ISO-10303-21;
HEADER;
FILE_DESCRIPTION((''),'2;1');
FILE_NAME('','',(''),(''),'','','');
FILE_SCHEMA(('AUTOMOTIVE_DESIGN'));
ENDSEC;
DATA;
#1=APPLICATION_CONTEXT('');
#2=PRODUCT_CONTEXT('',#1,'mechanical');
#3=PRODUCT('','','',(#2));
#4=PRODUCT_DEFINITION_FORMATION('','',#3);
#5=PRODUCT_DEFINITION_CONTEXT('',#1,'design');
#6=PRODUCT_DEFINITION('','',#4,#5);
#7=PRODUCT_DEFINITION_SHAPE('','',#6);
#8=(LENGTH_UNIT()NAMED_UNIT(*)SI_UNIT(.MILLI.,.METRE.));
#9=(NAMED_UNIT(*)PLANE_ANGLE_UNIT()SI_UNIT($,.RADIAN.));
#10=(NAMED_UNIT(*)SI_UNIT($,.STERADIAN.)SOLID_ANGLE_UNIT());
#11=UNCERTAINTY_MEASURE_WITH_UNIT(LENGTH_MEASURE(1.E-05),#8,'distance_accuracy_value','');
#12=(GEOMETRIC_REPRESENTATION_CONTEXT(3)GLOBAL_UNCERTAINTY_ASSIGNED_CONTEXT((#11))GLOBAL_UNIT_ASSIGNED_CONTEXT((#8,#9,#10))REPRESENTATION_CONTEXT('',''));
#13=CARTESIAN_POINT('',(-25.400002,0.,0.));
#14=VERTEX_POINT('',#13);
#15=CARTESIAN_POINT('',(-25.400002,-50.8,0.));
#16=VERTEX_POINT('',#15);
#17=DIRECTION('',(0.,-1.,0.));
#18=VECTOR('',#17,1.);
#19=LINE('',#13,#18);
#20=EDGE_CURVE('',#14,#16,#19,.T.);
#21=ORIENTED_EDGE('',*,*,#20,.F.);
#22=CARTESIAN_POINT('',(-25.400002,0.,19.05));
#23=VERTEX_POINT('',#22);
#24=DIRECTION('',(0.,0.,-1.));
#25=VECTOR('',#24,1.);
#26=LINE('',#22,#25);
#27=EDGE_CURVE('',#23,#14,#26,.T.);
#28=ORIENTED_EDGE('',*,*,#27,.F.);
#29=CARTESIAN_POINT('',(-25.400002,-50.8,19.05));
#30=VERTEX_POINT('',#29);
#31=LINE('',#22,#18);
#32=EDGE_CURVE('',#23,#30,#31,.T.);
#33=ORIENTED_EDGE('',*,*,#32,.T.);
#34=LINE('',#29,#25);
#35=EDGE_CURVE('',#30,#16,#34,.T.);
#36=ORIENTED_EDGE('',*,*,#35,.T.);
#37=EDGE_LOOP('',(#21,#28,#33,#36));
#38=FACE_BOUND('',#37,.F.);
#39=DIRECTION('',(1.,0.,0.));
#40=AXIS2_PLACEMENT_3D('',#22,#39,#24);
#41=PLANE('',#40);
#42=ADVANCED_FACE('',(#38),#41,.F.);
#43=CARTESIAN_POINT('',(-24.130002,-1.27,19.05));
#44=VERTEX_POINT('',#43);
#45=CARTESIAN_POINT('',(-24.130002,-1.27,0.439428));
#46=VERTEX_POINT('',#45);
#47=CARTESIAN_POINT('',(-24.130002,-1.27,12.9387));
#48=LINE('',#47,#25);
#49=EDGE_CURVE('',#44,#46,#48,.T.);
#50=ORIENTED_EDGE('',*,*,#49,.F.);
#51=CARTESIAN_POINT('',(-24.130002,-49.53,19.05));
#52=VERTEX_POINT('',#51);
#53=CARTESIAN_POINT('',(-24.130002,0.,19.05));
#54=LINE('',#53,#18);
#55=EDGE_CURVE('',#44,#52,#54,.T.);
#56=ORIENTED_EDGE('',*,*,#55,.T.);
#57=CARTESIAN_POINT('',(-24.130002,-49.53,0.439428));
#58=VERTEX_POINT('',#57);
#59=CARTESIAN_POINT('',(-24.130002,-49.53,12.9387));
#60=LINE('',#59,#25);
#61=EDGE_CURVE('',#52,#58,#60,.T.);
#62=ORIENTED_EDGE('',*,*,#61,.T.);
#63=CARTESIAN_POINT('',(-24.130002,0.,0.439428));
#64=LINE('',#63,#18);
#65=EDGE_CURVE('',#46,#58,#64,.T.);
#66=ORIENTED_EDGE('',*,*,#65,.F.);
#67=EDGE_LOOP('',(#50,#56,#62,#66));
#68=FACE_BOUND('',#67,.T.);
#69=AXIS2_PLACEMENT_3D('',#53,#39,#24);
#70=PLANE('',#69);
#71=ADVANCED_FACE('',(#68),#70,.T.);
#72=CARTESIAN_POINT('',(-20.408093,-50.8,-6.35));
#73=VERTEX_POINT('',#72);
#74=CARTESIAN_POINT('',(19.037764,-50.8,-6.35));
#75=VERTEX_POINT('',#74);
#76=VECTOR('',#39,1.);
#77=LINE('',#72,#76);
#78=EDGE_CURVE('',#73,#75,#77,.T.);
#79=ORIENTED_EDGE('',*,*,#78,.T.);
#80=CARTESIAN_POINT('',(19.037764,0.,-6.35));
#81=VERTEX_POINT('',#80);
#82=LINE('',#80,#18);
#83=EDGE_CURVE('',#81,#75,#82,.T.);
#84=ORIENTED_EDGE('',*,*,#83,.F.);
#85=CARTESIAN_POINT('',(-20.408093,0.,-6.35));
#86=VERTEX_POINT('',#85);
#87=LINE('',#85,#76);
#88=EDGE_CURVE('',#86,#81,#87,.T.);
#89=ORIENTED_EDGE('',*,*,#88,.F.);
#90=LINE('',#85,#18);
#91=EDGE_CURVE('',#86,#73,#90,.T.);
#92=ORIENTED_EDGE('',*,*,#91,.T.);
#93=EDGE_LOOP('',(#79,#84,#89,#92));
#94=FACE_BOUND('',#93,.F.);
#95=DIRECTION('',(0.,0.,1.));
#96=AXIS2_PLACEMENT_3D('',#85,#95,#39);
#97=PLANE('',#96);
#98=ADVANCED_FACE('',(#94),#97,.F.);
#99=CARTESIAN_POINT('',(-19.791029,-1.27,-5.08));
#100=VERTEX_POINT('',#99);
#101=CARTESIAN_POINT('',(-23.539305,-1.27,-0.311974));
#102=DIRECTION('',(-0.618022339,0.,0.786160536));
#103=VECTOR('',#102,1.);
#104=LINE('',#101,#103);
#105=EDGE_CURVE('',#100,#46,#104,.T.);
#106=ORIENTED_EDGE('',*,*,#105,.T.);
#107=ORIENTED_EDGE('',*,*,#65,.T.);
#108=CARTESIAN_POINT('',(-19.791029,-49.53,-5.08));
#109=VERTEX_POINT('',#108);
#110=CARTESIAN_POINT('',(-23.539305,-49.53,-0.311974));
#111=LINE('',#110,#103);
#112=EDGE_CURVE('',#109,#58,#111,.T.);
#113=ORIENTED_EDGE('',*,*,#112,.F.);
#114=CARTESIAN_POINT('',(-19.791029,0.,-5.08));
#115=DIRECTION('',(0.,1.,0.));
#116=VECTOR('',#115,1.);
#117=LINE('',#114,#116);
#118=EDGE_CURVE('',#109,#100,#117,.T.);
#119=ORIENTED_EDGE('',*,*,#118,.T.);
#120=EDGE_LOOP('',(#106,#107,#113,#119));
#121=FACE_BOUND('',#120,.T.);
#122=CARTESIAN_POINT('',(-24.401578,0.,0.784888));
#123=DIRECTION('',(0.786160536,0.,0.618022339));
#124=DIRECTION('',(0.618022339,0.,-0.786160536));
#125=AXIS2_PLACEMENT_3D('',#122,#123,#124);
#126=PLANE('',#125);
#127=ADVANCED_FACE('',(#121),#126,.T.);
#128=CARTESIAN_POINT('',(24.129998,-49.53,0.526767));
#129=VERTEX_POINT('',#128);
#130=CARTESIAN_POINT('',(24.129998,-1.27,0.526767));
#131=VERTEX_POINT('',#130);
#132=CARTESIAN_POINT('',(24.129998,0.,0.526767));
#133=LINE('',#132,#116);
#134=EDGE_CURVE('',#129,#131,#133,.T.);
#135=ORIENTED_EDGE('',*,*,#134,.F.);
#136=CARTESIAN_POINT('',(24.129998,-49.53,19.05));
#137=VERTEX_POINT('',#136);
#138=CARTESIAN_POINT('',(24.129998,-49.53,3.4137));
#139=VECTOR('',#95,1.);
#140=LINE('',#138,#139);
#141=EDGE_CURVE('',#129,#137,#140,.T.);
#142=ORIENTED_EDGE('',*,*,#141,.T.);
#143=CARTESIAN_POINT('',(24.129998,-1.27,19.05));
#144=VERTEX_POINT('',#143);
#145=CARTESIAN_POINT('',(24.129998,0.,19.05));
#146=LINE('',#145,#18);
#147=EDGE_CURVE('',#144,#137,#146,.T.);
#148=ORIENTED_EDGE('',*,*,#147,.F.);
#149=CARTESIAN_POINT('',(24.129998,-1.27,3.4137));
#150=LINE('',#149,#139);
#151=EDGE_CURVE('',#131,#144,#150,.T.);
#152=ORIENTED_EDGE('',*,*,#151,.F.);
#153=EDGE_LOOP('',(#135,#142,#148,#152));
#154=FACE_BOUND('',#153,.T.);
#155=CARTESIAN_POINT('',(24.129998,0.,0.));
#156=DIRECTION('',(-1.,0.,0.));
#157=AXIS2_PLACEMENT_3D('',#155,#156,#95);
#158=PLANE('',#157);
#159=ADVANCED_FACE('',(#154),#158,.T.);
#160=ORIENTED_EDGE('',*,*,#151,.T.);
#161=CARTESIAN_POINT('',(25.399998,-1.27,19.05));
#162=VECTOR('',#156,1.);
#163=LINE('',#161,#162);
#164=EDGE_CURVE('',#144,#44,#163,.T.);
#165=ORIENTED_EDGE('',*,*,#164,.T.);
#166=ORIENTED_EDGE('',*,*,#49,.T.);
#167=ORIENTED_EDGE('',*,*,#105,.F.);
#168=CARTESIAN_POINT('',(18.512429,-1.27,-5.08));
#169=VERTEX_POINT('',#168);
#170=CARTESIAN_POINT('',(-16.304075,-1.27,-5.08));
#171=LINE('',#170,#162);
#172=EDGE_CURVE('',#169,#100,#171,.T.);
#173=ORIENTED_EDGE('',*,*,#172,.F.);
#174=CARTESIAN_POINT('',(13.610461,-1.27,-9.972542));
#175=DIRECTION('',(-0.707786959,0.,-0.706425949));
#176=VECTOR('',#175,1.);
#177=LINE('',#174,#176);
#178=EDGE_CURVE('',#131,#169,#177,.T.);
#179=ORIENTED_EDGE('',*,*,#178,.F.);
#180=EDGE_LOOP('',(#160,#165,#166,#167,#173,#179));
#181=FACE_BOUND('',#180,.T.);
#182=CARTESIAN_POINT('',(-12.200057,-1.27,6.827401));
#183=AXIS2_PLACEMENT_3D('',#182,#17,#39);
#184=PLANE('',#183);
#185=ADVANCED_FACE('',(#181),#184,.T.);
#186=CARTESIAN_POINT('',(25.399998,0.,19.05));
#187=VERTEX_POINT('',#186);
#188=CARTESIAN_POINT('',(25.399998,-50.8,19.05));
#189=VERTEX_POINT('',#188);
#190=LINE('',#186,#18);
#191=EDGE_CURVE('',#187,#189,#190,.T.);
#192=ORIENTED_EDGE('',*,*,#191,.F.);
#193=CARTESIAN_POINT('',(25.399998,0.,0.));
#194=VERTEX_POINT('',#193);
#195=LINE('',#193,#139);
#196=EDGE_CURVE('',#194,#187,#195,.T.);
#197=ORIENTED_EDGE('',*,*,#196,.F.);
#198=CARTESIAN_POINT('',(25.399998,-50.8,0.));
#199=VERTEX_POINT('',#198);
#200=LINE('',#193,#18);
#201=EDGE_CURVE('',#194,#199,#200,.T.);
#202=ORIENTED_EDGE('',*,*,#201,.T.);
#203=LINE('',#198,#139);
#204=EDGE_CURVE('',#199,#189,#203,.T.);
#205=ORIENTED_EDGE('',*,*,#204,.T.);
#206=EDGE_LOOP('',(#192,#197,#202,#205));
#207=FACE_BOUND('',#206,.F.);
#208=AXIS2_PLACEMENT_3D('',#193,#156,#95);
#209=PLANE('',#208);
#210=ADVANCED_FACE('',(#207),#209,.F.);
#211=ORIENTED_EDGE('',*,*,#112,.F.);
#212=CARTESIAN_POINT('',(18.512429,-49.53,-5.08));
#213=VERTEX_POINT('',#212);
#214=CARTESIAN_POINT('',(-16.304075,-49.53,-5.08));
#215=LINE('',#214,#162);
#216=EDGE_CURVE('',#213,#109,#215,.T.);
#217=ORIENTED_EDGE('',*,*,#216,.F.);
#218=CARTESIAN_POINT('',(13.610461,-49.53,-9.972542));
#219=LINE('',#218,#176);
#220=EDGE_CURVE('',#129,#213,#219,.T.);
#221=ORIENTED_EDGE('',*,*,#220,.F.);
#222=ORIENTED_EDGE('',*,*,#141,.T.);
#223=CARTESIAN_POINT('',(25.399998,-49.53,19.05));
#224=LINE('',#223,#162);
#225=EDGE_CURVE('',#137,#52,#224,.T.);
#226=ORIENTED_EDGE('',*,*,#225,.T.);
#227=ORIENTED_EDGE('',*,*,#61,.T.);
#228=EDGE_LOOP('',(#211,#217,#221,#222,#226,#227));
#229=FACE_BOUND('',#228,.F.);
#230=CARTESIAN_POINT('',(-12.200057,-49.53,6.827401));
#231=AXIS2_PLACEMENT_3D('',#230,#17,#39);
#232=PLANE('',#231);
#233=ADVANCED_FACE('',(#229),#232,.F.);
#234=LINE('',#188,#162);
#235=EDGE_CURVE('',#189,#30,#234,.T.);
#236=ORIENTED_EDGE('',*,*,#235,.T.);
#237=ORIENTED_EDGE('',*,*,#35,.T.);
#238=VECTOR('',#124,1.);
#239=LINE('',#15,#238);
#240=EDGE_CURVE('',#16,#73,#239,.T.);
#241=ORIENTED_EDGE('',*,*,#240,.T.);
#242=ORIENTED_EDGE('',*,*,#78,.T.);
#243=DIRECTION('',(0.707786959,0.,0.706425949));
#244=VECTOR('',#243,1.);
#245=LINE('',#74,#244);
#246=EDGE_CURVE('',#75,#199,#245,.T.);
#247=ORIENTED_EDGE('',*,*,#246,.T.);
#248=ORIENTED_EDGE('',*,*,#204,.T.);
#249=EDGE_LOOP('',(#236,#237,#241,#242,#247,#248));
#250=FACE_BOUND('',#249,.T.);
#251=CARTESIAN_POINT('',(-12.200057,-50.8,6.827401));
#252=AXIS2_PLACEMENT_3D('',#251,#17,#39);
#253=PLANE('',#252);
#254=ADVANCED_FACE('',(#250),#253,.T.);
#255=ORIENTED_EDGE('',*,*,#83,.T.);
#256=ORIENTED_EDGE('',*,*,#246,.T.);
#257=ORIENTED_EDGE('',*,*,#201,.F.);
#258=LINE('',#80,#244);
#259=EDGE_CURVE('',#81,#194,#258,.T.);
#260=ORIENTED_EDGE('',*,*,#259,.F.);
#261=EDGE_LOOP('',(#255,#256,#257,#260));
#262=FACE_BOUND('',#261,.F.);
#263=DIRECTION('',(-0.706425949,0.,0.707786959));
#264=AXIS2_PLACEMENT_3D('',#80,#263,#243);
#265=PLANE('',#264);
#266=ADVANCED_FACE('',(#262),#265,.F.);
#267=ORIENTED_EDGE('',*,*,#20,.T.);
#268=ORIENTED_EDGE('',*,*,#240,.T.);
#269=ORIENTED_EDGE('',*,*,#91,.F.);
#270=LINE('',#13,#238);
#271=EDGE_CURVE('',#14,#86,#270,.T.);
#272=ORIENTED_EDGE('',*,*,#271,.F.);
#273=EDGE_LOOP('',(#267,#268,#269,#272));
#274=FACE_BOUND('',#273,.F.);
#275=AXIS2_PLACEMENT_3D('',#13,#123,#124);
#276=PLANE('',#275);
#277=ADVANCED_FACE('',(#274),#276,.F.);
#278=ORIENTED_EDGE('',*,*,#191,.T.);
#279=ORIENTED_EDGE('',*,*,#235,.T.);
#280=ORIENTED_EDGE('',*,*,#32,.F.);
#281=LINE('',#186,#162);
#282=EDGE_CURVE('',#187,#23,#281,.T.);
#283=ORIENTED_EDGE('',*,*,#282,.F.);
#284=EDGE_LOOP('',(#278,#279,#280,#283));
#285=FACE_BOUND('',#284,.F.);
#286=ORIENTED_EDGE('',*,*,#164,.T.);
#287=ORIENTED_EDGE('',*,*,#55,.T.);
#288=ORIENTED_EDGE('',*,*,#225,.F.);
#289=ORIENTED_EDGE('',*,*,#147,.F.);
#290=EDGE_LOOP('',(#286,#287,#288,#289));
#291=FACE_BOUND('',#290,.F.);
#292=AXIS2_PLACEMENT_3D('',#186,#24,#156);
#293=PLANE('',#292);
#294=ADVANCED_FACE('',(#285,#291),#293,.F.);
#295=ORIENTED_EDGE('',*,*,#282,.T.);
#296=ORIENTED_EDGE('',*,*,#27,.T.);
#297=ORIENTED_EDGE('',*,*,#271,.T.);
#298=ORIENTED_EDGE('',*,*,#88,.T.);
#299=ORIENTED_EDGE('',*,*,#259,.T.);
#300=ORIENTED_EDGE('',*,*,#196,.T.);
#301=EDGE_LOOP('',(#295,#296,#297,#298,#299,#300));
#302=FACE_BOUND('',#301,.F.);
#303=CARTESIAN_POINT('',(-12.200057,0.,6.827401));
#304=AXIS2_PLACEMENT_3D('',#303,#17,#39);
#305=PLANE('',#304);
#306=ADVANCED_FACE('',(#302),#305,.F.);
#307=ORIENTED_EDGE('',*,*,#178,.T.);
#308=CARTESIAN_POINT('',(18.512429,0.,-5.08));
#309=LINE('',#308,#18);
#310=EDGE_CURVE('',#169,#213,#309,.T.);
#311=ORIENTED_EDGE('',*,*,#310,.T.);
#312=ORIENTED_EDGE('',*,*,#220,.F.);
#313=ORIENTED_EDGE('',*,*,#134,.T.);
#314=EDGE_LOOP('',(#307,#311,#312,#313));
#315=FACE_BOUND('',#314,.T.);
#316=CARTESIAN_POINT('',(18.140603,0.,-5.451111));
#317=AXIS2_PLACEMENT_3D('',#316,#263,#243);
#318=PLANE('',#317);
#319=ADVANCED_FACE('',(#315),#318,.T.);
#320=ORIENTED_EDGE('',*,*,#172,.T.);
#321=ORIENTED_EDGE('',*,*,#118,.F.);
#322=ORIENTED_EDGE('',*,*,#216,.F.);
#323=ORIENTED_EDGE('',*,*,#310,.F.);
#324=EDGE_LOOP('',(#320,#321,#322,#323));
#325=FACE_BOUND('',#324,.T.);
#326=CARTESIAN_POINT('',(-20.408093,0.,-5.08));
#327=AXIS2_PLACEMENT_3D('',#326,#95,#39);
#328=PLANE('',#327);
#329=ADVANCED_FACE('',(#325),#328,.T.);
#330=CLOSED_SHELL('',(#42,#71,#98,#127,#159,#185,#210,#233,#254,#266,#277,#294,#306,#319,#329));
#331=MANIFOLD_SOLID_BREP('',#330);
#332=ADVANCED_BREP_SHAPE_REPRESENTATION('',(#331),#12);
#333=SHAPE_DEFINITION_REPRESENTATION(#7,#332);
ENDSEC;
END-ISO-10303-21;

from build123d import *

# Parameters (mm, degrees)
F1_DEPTH = 50.8
F2_T     = -1.27


with BuildPart() as f1:
    # F0 (on Front) → F1 (new body)
    with BuildSketch(Plane.XZ):
        Polygon((-2e-06, 19.05), (-25.400002, 19.05), (-25.400002, 0), (-20.408093, -6.35), (0, -6.35), align=None)
        Polygon((25.399998, 19.05), (-2e-06, 19.05), (0, -6.35), (19.037764, -6.35), (25.399998, 0), align=None)
    extrude(amount=F1_DEPTH)

    # F2
    f2_openings = [f1.faces().sort_by_distance(p)[0] for p in [
        (-2e-06, -25.4, 19.05),
    ]]
    offset(amount=F2_T, openings=f2_openings)


solid = f1.part
